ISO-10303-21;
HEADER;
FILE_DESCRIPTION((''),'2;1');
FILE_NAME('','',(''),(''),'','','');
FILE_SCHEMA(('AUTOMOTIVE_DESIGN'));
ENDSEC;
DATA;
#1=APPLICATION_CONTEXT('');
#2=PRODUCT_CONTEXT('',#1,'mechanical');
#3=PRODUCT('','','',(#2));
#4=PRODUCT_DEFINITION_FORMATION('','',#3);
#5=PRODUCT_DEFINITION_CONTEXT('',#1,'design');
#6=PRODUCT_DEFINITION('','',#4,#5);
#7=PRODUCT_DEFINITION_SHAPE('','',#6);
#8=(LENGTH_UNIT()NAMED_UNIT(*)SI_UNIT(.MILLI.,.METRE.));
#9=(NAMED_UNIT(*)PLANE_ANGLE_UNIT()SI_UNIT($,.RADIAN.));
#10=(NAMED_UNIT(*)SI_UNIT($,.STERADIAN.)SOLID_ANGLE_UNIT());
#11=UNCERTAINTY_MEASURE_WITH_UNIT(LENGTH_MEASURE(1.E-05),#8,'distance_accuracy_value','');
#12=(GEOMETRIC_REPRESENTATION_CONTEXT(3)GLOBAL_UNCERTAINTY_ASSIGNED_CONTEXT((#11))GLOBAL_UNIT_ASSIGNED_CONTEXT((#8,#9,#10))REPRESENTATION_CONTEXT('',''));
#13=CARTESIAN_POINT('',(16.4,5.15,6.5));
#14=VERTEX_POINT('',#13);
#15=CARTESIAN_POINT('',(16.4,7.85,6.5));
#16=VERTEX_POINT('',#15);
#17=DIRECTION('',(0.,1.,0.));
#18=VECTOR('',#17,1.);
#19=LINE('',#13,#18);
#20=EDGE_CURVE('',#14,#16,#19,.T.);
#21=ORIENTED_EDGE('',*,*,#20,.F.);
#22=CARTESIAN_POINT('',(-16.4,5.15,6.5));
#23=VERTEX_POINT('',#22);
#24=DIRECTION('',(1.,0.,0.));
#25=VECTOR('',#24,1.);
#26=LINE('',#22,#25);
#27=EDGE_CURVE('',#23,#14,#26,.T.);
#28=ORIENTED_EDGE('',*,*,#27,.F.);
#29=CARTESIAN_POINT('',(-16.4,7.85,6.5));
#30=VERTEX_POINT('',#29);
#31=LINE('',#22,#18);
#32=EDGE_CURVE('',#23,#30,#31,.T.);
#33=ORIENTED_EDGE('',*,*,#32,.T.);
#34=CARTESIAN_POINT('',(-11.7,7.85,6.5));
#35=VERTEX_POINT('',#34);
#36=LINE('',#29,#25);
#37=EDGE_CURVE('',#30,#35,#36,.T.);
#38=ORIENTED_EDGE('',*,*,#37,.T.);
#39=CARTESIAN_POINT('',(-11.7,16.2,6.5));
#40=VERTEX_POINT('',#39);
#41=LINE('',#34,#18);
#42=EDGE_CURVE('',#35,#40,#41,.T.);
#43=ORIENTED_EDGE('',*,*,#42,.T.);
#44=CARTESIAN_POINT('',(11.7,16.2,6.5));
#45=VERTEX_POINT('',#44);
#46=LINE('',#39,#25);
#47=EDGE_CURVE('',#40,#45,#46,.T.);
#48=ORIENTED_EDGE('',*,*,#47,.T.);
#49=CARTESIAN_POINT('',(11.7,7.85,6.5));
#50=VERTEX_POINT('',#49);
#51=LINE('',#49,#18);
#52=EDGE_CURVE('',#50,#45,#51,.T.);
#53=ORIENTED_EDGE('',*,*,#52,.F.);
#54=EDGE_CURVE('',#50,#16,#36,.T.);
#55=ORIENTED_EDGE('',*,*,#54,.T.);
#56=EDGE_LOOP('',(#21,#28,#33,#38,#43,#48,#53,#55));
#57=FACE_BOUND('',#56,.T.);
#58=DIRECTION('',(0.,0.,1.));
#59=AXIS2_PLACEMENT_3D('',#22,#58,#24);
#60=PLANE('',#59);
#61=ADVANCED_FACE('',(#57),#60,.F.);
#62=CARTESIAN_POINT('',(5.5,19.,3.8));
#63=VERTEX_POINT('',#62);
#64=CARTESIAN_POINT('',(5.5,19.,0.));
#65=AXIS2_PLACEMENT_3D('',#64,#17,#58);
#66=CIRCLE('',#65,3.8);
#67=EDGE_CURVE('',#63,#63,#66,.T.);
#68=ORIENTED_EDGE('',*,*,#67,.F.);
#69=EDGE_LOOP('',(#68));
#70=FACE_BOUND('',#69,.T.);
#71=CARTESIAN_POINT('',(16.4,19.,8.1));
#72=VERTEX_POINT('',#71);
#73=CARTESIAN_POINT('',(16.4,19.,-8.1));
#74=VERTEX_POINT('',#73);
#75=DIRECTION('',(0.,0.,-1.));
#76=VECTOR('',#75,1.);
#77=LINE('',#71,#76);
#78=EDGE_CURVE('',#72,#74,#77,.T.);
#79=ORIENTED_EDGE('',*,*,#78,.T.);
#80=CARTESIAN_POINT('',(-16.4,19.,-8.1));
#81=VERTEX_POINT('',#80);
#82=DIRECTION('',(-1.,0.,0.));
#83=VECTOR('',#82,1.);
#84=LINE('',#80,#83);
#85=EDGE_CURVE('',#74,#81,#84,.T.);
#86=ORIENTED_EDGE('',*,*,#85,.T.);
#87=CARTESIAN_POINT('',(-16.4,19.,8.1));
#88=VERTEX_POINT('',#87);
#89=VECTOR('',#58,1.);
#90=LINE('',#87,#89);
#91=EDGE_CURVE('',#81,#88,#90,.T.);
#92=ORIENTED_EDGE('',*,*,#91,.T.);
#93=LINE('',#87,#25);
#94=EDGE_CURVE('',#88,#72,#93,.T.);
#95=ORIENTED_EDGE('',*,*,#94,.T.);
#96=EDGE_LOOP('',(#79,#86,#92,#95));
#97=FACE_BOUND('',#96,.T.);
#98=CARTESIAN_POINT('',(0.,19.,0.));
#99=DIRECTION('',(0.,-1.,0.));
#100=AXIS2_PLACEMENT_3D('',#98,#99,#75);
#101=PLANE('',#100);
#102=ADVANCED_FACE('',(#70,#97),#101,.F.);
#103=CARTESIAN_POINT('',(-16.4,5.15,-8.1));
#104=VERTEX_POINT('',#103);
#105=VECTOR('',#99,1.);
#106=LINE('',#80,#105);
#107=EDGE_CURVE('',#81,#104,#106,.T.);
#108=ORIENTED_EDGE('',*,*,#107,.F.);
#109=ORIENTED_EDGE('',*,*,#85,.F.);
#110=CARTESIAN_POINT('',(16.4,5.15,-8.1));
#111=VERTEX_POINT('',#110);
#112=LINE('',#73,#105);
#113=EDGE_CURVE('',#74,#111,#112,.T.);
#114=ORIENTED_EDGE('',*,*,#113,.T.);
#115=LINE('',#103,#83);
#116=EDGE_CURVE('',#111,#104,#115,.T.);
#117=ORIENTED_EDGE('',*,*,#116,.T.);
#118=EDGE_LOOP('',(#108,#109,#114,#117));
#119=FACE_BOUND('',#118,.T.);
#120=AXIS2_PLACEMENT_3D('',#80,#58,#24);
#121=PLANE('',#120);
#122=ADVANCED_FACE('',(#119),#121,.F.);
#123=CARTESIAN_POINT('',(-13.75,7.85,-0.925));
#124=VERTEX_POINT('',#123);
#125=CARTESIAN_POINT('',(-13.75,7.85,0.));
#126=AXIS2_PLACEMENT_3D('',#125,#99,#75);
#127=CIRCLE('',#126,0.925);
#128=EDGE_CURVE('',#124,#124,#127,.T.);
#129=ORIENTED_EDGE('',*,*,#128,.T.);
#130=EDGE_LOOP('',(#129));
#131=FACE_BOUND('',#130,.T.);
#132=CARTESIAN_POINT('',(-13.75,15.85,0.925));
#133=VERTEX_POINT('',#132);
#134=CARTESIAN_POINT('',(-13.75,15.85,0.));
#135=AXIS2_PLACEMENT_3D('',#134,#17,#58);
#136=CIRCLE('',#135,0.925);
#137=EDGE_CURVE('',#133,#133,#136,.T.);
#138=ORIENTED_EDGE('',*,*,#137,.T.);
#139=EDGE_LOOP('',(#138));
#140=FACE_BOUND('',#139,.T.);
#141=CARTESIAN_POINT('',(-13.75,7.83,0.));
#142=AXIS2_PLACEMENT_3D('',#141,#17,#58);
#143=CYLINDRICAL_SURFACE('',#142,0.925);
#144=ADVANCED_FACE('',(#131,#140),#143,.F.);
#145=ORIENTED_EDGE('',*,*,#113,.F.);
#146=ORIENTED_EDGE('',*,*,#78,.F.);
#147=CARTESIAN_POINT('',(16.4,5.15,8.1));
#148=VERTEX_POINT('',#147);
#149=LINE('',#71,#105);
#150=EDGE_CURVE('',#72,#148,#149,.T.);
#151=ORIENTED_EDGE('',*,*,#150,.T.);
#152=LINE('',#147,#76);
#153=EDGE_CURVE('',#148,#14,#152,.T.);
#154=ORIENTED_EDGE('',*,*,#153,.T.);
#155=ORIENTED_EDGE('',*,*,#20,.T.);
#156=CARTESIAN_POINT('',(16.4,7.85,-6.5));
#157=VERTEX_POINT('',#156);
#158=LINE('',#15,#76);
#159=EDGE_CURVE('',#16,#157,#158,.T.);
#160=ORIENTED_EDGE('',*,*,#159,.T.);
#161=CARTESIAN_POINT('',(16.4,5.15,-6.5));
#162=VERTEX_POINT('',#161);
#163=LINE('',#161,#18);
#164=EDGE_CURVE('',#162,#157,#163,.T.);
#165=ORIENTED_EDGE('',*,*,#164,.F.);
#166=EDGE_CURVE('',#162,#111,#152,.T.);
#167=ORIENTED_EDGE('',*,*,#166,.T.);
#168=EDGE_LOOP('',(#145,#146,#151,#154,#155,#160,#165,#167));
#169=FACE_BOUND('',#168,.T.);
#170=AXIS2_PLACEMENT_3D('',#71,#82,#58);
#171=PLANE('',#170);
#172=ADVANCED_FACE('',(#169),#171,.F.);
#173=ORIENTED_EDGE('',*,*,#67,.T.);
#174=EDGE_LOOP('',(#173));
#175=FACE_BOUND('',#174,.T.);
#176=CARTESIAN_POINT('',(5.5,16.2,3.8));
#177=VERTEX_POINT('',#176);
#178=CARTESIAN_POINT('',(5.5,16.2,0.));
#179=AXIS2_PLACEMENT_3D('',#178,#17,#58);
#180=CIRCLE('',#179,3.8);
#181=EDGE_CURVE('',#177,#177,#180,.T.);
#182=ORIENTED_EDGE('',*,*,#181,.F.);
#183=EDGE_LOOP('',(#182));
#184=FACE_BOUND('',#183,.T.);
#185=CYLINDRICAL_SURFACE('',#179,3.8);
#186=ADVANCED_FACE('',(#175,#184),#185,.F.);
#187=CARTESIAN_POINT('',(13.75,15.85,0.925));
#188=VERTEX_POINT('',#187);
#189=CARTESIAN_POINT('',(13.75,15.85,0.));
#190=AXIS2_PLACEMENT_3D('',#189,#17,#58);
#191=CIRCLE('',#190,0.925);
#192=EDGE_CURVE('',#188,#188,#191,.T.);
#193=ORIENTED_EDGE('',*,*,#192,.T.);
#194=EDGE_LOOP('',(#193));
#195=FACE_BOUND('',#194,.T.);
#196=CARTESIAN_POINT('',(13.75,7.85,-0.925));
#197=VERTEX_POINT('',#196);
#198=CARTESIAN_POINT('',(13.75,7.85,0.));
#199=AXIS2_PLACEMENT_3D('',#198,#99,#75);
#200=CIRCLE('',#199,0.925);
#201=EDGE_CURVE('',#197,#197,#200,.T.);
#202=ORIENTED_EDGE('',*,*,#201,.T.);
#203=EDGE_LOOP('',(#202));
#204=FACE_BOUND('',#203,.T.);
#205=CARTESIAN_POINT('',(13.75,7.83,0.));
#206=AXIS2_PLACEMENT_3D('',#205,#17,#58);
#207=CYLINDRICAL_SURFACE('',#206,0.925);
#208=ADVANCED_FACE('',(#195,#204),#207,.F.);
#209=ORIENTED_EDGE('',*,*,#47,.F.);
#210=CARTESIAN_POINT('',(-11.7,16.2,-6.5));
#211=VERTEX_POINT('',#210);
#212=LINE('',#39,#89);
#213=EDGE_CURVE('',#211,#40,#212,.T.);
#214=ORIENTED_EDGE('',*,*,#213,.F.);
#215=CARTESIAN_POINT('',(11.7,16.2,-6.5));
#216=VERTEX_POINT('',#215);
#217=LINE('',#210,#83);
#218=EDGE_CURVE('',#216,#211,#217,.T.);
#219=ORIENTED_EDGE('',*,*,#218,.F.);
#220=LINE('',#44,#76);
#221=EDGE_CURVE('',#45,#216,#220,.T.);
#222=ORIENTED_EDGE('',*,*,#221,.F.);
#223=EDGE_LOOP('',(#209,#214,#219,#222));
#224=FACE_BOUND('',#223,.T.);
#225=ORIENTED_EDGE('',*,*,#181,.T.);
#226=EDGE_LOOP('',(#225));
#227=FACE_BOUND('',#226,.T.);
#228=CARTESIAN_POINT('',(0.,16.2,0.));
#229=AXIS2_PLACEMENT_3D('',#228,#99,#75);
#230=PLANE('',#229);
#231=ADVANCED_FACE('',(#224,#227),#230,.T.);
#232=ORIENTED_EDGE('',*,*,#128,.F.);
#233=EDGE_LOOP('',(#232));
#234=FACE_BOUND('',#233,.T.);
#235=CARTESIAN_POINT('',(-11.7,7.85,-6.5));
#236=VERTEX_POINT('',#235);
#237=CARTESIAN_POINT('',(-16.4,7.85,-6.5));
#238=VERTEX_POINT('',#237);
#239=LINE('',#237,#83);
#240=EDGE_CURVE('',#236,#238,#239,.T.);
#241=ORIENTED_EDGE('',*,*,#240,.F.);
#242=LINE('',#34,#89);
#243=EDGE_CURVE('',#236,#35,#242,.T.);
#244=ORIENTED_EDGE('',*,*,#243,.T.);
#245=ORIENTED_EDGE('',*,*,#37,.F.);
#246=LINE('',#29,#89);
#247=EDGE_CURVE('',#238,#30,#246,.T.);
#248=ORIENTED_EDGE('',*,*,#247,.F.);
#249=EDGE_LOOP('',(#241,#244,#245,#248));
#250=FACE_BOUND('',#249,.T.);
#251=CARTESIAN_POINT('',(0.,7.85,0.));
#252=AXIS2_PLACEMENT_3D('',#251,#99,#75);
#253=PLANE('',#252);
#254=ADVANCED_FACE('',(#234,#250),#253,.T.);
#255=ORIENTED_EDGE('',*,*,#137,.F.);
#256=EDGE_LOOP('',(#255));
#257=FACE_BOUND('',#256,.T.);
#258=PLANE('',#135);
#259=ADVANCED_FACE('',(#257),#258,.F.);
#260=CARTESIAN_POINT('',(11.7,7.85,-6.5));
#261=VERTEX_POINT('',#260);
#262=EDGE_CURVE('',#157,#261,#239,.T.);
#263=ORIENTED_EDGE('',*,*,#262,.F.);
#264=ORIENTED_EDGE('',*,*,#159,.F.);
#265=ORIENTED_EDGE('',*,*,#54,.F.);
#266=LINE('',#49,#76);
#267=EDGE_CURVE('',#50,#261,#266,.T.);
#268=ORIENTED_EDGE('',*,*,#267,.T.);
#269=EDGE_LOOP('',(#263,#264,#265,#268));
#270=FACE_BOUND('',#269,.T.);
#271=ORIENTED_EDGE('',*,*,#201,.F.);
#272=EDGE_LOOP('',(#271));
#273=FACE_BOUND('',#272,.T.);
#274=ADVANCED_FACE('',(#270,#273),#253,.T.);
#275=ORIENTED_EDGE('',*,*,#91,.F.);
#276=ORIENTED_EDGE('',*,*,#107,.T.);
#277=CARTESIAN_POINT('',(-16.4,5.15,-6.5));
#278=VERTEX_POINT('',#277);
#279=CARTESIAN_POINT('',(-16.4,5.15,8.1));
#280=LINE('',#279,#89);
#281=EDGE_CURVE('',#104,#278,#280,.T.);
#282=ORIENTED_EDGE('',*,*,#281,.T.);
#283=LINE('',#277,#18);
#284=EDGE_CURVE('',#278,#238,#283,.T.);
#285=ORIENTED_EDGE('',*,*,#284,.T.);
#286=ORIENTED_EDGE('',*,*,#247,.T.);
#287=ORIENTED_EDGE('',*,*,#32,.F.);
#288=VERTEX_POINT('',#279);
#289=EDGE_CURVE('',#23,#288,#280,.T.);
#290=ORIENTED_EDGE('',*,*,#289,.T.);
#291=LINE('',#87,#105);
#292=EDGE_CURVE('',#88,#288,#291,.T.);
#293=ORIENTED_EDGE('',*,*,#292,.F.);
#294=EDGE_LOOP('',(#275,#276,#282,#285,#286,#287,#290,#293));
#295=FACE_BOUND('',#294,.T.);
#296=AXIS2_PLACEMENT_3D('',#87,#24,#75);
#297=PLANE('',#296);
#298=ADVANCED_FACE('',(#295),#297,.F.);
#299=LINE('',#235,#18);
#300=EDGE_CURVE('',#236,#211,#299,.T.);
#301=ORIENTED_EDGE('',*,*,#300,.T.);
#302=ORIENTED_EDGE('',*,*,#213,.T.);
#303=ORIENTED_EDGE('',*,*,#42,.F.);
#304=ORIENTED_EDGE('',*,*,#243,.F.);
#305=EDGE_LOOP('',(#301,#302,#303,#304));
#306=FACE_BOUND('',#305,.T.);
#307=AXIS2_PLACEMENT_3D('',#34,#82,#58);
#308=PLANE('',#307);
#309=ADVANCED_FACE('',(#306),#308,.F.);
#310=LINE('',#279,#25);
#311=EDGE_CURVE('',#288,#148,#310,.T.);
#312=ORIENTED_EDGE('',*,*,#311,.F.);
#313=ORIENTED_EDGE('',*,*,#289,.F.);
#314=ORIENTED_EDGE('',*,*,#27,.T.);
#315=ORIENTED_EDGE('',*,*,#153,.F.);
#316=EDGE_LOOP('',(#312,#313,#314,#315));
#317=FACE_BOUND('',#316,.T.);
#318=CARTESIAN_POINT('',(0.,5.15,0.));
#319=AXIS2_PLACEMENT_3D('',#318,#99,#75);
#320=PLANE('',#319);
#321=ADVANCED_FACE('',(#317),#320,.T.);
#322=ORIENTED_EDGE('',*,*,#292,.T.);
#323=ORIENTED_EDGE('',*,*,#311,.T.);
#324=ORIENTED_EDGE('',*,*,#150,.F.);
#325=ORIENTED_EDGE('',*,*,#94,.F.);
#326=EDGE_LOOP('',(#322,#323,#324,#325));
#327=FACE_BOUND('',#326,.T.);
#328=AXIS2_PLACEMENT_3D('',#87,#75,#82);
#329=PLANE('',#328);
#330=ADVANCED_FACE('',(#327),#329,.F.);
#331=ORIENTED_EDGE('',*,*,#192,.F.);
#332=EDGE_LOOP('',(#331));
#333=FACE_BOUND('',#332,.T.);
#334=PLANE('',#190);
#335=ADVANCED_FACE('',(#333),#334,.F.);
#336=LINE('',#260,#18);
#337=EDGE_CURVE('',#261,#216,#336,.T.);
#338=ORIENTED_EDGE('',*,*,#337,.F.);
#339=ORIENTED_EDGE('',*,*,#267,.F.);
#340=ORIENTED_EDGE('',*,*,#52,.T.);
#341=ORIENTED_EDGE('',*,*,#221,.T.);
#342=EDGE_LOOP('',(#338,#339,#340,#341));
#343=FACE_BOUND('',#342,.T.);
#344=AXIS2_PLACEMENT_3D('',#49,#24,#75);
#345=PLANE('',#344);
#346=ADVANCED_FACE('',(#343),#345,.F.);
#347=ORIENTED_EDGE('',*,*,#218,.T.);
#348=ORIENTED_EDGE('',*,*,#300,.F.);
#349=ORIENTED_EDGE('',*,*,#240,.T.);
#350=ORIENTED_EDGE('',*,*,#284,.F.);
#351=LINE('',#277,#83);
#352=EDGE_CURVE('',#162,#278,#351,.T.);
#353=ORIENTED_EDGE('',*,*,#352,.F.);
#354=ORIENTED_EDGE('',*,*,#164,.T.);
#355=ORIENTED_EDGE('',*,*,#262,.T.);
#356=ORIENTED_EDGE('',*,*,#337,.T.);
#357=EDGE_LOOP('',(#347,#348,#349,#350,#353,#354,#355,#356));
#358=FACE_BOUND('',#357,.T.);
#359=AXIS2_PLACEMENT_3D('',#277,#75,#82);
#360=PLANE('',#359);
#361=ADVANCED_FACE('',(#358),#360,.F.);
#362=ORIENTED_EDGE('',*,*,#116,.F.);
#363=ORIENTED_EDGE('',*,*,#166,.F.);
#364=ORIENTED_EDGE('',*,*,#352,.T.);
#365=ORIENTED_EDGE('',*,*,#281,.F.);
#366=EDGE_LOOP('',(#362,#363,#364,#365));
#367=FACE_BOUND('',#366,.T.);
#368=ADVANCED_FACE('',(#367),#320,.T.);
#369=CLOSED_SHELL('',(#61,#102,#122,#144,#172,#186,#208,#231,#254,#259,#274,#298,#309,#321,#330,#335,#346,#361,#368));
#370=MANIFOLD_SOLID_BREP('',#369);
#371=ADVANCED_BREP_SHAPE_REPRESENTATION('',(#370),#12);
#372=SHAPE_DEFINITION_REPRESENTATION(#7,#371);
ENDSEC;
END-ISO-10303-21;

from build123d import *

# Parameters (mm, degrees)
BOSS_EXTRUDE1_START = 12.075
SKETCH1_W           = 32.8
SKETCH1_H           = 16.2
BOSS_EXTRUDE1_DEPTH = 6.925
CUT_EXTRUDE1_START  = 6.5
SKETCH2_W           = 32.8
SKETCH2_H           = 13
CUT_EXTRUDE1_DEPTH  = 1.35
CUT_EXTRUDE2_START  = 12.025
SKETCH3_W           = 23.4
SKETCH3_H           = 13
CUT_EXTRUDE2_DEPTH  = 4.175
CUT_EXTRUDE3_START  = 17.6
SKETCH4_R           = 3.8
CUT_EXTRUDE3_DEPTH  = 1.4
CUT_EXTRUDE4_START  = 11.84
SKETCH5_R           = 0.925
CUT_EXTRUDE4_DEPTH  = 4.01


with BuildPart() as part:
    # Sketch1 → Boss-Extrude1 (new, symmetric)
    with BuildSketch(Plane(origin=(0, 0, 0), x_dir=(1, 0, 0), z_dir=(0, 1, 0)).offset(BOSS_EXTRUDE1_START)):
        Rectangle(SKETCH1_W, SKETCH1_H)
    extrude(amount=BOSS_EXTRUDE1_DEPTH, both=True)

    # Sketch2 → Cut-Extrude1 (cut, symmetric)
    with BuildSketch(Plane(origin=(0, 0, 0), x_dir=(1, 0, 0), z_dir=(0, 1, 0)).offset(CUT_EXTRUDE1_START)):
        Rectangle(SKETCH2_W, SKETCH2_H)
    extrude(amount=CUT_EXTRUDE1_DEPTH, both=True, mode=Mode.SUBTRACT)

    # Sketch3 → Cut-Extrude2 (cut, symmetric)
    with BuildSketch(Plane(origin=(0, 0, 0), x_dir=(1, 0, 0), z_dir=(0, 1, 0)).offset(CUT_EXTRUDE2_START)):
        Rectangle(SKETCH3_W, SKETCH3_H)
    extrude(amount=CUT_EXTRUDE2_DEPTH, both=True, mode=Mode.SUBTRACT)

    # Sketch4 → Cut-Extrude3 (cut, symmetric)
    with BuildSketch(Plane(origin=(0, 0, 0), x_dir=(1, 0, 0), z_dir=(0, 1, 0)).offset(CUT_EXTRUDE3_START)):
        with Locations(Location((5.5, 0, 0), (0, 0, 270))):
            Circle(SKETCH4_R)
    extrude(amount=CUT_EXTRUDE3_DEPTH, both=True, mode=Mode.SUBTRACT)

    # Sketch5 → Cut-Extrude4 (cut, symmetric)
    with BuildSketch(Plane(origin=(0, 0, 0), x_dir=(1, 0, 0), z_dir=(0, 1, 0)).offset(CUT_EXTRUDE4_START)):
        with Locations(Location((-13.75, 0, 0), (0, 0, 270))):
            Circle(SKETCH5_R)
        with Locations(Location((13.75, 0, 0), (0, 0, 270))):
            Circle(SKETCH5_R)
    extrude(amount=CUT_EXTRUDE4_DEPTH, both=True, mode=Mode.SUBTRACT)


solid = part.part
